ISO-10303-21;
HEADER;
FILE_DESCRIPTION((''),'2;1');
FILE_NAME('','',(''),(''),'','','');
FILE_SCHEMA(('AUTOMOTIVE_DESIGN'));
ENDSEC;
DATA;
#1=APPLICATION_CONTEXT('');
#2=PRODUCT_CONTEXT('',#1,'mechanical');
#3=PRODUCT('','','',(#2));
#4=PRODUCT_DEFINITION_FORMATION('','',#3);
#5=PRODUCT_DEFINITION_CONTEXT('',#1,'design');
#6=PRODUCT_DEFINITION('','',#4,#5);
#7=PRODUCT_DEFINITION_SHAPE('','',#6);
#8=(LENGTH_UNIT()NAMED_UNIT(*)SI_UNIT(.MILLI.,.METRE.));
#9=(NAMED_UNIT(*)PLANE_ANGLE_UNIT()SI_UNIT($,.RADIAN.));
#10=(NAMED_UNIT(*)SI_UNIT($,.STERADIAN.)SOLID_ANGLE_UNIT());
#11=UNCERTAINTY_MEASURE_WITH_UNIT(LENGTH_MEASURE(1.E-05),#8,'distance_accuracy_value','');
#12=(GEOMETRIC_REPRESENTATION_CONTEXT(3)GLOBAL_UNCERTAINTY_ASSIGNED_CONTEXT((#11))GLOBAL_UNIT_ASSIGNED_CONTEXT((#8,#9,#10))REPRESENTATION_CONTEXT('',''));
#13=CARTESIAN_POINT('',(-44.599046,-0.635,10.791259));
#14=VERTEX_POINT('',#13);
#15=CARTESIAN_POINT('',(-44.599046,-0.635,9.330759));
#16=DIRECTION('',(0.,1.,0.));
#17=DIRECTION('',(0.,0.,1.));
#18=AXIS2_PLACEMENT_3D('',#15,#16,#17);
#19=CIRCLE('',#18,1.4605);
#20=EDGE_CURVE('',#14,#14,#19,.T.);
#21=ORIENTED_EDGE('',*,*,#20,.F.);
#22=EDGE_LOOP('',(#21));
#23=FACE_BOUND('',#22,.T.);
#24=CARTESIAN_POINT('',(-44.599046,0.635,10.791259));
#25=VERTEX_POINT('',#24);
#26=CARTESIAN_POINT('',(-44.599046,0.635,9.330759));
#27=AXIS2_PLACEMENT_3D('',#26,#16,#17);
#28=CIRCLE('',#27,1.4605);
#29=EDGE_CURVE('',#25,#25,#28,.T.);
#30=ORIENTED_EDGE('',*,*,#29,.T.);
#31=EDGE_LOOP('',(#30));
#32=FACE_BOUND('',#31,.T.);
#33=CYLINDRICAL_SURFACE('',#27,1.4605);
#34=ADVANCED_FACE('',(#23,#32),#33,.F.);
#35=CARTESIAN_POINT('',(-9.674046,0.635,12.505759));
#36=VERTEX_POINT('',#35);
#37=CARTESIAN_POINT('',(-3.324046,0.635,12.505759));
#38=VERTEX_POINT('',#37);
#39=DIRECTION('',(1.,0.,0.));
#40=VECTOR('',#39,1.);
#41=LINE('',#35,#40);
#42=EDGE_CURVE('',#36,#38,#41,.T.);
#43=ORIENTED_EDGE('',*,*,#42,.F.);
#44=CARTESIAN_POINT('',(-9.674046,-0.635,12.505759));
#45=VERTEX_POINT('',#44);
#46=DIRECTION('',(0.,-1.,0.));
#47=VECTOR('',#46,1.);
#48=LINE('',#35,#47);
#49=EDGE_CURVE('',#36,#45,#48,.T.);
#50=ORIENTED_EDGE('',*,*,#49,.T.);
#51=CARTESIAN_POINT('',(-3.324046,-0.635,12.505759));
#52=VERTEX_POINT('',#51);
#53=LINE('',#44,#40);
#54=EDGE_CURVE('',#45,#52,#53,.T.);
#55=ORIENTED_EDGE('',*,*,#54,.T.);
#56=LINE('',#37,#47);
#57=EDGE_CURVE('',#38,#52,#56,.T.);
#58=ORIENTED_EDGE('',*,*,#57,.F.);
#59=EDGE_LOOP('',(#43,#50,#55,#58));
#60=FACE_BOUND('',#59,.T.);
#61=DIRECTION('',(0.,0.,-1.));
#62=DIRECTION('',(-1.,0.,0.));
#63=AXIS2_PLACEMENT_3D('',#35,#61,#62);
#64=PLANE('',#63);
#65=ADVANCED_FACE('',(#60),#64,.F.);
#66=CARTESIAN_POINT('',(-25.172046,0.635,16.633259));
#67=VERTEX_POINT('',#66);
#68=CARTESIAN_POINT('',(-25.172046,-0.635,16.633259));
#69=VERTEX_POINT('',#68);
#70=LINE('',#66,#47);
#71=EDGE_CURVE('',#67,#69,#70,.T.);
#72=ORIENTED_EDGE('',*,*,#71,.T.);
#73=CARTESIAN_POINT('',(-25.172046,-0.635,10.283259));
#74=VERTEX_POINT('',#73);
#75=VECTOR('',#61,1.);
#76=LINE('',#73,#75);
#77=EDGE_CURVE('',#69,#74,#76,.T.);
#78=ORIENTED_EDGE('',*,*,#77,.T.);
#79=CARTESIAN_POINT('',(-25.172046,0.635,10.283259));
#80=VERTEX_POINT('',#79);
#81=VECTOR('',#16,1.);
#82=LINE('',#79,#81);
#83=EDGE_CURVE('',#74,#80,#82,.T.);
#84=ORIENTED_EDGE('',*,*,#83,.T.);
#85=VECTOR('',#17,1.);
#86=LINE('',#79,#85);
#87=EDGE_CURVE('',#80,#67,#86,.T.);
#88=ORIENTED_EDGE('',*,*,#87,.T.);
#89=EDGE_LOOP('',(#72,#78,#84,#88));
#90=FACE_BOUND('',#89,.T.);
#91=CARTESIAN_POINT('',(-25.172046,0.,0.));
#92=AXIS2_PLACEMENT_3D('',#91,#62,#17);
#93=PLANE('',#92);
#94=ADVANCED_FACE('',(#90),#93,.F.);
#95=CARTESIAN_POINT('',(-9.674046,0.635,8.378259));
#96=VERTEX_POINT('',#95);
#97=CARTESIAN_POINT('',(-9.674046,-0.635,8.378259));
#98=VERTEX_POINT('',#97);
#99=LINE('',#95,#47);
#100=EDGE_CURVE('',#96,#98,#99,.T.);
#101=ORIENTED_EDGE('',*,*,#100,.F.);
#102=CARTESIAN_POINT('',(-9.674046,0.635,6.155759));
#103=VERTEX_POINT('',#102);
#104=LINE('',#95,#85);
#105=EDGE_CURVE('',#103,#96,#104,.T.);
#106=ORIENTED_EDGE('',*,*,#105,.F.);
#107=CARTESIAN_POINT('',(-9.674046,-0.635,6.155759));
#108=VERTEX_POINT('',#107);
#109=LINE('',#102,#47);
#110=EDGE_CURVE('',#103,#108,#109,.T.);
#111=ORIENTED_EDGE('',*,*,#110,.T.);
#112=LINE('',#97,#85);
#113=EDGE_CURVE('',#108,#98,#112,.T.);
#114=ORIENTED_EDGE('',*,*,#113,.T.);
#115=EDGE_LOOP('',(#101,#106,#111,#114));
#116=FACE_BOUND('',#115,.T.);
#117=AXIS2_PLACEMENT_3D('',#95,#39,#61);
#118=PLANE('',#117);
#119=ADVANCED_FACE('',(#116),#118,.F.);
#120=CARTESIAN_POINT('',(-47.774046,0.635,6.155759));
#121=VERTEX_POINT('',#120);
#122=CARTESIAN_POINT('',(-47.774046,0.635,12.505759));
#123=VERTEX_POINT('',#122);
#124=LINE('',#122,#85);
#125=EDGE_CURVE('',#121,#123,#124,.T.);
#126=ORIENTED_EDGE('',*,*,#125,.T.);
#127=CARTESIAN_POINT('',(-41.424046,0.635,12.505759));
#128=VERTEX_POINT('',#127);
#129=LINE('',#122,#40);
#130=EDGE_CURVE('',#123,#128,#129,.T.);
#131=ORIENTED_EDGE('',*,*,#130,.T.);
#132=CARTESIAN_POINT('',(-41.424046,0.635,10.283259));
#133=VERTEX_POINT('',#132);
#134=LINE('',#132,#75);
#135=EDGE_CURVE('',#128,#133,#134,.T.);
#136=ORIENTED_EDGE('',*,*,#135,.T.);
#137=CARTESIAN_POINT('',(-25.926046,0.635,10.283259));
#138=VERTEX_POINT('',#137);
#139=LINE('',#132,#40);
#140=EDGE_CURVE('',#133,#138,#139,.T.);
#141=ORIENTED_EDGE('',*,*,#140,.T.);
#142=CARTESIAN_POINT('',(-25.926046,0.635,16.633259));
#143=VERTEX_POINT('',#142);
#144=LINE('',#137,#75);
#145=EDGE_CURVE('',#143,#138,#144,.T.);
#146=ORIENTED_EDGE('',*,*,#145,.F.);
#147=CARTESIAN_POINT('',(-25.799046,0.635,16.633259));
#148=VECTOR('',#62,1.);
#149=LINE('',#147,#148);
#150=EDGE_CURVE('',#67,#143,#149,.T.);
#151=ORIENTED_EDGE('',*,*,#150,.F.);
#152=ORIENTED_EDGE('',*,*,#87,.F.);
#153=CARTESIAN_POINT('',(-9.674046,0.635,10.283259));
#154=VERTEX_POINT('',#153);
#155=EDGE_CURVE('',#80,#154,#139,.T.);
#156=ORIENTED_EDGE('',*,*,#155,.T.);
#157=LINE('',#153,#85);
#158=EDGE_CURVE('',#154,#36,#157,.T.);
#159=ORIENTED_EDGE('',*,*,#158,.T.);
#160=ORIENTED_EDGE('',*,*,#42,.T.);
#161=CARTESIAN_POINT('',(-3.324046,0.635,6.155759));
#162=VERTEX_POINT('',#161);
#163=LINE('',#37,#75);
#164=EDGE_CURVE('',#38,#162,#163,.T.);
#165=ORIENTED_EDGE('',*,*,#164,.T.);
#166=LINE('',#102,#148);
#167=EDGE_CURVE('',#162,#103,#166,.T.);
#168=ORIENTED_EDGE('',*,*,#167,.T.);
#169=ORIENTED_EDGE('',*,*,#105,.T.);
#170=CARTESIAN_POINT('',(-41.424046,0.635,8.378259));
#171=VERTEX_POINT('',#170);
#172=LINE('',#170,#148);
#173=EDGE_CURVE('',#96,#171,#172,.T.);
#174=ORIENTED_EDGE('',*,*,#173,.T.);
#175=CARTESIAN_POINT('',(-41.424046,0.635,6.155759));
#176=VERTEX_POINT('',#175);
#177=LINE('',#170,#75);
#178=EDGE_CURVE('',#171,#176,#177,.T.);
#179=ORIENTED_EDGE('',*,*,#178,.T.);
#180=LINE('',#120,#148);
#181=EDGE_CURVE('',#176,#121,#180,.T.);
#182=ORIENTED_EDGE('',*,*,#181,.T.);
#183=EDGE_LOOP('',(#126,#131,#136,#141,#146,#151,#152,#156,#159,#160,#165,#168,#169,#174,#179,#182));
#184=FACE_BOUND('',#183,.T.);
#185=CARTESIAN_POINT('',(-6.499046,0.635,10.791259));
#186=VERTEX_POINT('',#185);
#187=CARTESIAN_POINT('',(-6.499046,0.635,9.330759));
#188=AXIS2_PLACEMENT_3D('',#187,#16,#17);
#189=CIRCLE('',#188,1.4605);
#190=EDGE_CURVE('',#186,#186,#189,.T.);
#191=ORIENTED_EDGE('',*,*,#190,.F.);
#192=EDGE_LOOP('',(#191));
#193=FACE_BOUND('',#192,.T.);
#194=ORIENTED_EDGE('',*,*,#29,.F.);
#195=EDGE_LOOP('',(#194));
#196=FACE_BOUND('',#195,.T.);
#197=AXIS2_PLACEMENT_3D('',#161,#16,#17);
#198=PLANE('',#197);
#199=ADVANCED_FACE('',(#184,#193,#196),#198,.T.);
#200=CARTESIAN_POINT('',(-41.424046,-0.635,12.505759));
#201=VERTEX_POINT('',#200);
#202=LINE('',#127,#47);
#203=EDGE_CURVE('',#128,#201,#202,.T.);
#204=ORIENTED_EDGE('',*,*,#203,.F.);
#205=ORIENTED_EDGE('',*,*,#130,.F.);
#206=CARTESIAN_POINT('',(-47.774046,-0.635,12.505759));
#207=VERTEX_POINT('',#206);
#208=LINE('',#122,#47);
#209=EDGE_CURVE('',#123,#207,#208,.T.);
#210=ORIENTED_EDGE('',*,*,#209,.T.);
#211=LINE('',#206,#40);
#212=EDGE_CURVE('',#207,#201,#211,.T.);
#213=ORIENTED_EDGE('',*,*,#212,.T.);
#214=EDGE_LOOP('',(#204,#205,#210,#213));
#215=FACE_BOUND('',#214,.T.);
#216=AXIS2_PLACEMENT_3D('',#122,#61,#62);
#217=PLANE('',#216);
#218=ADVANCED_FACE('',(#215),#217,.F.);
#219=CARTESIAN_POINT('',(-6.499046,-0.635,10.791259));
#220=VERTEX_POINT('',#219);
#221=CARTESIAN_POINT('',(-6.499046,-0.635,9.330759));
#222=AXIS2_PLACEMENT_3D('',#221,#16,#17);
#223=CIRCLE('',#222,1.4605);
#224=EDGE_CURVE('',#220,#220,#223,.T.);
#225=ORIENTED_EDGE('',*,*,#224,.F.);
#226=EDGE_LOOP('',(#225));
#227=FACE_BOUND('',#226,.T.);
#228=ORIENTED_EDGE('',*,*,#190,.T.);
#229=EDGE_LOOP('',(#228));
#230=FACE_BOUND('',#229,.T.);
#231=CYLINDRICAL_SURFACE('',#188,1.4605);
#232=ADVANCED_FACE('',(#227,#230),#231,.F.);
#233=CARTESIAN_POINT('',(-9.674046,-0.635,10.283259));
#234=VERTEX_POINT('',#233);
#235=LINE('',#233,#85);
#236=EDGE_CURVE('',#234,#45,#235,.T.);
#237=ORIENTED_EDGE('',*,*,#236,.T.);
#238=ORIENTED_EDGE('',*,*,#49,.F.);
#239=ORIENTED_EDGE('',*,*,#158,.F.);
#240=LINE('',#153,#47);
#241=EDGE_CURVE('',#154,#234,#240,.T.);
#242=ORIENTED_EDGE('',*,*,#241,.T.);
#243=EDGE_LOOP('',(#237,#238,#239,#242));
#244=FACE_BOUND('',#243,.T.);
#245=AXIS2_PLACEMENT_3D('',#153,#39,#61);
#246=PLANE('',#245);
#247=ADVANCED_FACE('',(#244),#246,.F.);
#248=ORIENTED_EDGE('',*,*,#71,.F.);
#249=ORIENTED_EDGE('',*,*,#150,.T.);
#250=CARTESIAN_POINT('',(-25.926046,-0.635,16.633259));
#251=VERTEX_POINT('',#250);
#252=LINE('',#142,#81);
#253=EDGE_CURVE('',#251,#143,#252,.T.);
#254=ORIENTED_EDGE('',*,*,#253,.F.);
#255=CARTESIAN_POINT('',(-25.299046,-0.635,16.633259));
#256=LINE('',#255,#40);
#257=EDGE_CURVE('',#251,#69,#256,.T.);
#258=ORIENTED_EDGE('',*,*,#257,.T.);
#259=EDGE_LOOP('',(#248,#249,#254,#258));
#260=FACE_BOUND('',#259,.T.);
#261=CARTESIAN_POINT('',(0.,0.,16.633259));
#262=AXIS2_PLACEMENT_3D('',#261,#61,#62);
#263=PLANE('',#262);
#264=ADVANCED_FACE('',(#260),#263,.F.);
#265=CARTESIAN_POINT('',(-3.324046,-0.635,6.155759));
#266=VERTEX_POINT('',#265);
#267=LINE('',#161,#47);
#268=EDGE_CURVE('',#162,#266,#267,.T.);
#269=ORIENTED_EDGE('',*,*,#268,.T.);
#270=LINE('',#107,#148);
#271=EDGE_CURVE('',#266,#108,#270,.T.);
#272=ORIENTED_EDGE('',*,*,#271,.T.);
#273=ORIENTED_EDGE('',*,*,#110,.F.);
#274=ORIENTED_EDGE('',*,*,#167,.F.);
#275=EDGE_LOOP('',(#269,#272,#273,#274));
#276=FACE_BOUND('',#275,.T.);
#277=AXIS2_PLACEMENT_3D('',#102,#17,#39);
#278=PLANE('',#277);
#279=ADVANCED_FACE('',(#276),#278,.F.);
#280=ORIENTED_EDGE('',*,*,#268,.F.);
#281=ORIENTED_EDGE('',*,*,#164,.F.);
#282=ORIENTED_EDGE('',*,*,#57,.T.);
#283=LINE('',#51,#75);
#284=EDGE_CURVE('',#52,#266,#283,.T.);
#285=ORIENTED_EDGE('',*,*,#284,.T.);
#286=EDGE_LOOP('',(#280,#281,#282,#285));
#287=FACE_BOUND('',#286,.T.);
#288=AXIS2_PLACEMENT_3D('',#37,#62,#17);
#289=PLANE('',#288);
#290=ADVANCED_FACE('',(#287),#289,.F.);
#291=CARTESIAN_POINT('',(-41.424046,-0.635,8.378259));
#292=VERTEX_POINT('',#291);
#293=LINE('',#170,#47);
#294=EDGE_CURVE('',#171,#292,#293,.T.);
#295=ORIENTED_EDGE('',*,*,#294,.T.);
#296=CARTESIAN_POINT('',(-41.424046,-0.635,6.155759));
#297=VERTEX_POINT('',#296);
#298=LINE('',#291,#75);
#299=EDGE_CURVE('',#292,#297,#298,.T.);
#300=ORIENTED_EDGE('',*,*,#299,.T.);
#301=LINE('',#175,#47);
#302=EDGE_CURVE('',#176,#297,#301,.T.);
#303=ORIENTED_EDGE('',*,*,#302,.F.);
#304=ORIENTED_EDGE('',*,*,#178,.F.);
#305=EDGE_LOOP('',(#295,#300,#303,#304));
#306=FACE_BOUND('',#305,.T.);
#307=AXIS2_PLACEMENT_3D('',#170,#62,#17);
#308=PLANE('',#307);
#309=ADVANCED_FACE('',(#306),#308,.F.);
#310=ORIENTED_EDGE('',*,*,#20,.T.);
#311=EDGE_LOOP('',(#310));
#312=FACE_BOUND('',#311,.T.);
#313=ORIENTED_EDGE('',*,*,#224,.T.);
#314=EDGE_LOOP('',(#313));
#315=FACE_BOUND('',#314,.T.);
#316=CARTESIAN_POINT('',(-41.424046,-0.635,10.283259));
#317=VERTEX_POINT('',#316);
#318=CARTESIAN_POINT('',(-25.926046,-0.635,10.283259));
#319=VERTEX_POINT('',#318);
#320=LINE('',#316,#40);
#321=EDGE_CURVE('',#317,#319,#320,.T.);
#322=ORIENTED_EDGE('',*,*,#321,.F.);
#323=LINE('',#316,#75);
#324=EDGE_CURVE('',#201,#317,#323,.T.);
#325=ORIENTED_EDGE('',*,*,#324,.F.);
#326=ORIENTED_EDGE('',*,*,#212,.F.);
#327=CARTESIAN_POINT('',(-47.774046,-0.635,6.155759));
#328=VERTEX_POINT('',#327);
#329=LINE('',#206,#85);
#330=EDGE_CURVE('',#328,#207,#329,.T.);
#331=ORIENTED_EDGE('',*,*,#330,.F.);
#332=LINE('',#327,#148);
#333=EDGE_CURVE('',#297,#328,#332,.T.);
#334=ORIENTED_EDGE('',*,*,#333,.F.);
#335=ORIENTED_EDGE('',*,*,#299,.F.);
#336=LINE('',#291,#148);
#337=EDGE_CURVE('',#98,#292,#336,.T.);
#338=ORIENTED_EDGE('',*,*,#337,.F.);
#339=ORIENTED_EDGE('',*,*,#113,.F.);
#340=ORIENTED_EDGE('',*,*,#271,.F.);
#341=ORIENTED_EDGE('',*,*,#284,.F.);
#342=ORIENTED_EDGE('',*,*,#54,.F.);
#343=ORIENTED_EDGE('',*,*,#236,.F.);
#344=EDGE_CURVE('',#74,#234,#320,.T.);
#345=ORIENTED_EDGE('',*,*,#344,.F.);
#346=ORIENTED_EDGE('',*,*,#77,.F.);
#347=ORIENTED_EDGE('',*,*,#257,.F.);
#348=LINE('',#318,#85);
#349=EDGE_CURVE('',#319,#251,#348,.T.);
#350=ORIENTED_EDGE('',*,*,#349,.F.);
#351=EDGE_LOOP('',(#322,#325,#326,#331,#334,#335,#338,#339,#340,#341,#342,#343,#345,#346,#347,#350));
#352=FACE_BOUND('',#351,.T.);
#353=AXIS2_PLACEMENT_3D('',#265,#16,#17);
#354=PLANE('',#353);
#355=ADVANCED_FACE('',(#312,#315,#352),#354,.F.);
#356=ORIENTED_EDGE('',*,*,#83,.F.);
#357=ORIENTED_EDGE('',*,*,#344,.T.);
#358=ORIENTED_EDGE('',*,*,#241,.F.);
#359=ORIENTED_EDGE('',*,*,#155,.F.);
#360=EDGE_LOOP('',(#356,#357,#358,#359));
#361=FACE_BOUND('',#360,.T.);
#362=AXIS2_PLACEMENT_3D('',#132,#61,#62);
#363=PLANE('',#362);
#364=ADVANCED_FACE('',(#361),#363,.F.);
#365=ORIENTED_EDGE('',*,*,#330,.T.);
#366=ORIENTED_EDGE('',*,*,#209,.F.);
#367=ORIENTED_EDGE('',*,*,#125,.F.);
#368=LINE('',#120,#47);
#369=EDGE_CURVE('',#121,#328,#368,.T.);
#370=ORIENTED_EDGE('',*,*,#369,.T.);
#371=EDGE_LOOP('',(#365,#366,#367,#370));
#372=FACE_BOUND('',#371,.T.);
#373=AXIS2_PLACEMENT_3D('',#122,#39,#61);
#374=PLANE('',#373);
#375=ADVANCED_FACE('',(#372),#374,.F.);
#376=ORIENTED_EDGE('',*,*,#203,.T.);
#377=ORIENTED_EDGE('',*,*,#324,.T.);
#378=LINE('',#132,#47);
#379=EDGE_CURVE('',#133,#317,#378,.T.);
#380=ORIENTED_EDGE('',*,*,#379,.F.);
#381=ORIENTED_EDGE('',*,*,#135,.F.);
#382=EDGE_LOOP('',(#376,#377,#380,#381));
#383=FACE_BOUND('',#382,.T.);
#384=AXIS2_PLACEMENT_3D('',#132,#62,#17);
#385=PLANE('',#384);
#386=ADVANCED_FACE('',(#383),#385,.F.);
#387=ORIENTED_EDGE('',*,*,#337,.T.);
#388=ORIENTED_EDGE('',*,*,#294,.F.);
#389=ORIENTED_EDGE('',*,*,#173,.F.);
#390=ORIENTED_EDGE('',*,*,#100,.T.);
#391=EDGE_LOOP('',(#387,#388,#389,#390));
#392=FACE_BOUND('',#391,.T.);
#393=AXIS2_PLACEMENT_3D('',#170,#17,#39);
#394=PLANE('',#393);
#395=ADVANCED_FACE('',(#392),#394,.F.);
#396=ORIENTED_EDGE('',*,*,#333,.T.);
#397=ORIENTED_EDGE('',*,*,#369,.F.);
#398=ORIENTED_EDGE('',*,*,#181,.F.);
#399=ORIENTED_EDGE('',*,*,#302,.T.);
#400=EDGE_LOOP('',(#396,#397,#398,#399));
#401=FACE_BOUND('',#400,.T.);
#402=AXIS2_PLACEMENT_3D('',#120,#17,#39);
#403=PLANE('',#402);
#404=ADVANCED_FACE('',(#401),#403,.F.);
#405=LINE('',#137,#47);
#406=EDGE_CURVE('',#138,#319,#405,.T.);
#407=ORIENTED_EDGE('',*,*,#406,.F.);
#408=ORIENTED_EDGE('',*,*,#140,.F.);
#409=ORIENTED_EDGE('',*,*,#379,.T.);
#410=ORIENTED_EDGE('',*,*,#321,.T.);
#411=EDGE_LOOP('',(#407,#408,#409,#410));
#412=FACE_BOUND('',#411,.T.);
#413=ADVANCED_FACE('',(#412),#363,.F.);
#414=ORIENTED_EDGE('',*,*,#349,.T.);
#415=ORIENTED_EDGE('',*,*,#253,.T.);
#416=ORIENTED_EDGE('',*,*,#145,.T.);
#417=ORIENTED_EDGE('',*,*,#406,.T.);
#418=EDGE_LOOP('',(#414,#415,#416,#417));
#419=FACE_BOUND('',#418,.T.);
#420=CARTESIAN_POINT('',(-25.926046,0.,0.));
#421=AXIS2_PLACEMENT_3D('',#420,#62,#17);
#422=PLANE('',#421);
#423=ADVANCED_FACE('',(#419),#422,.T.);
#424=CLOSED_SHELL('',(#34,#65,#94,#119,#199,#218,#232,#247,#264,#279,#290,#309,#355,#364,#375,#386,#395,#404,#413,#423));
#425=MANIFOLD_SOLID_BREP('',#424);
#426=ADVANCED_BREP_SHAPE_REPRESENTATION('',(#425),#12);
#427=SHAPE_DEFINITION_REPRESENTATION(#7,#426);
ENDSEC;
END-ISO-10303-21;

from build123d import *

# Parameters (mm, degrees)
BOSS_EXTRUDE1_DEPTH          = 0.635
F_97_0_0059_DIAMETER_HOLE1_D = 2.921
SKETCH7_W                    = 0.500000016
SKETCH7_H                    = 1.27
BOSS_EXTRUDE2_DEPTH          = 6.35
SKETCH11_W                   = 6.35
SKETCH11_H                   = 1.27
BOSS_EXTRUDE3_DEPTH          = 0.127
SKETCH12_W                   = 6.35
SKETCH12_H                   = 1.27
BOSS_EXTRUDE4_DEPTH          = 0.127


with BuildPart() as part:
    # Sketch1 → Boss-Extrude1 (new, symmetric)
    with BuildSketch(Plane(origin=(0, 0, 0), x_dir=(1, 0, 0), z_dir=(0, 1, 0))):
        Polygon((-41.424046485, -10.283259465), (-41.424046485, -12.505759465), (-47.774046485, -12.505759465), (-47.774046485, -6.155759465), (-41.424046485, -6.155759465), (-41.424046485, -8.378259465), (-9.674046485, -8.378259465), (-9.674046485, -6.155759465), (-3.324046485, -6.155759465), (-3.324046485, -12.505759465), (-9.674046485, -12.505759465), (-9.674046485, -10.283259465), align=None)
    extrude(amount=BOSS_EXTRUDE1_DEPTH, both=True)

    # #97 (0.0059) Diameter Hole1 (through all)
    with Locations(Plane(origin=(0, 0.635, 0), x_dir=(-1, 0, 0), z_dir=(0, 1, 0))):
        with Locations((44.599046485, 9.330759465)):
            f_97_0_0059_diameter_hole1 = Hole(F_97_0_0059_DIAMETER_HOLE1_D / 2)

    # Mirror1: #97 (0.0059) Diameter Hole1 across plane
    add(f_97_0_0059_diameter_hole1.mirror(Plane(origin=(-25.549046485, 0, 0), x_dir=(0, 0, 1), z_dir=(1, 0, 0))), mode=Mode.SUBTRACT)

    # Sketch7 → Boss-Extrude2 (add)
    with BuildSketch(Plane.XY.offset(10.283259465)):
        with Locations((-25.549046485, 0)):
            Rectangle(SKETCH7_W, SKETCH7_H)
    extrude(amount=BOSS_EXTRUDE2_DEPTH)

    # Sketch11 → Boss-Extrude3 (add)
    with BuildSketch(Plane.ZY.offset(25.799046493)):
        with Locations((13.458259465, 0)):
            Rectangle(SKETCH11_W, SKETCH11_H)
    extrude(amount=BOSS_EXTRUDE3_DEPTH)

    # Sketch12 → Boss-Extrude4 (add)
    with BuildSketch(Plane(origin=(-25.299046477, 0, 0), x_dir=(0, 0, -1), z_dir=(1, 0, 0))):
        with Locations((-13.458259465, 0)):
            Rectangle(SKETCH12_W, SKETCH12_H)
    extrude(amount=BOSS_EXTRUDE4_DEPTH)


solid = part.part
